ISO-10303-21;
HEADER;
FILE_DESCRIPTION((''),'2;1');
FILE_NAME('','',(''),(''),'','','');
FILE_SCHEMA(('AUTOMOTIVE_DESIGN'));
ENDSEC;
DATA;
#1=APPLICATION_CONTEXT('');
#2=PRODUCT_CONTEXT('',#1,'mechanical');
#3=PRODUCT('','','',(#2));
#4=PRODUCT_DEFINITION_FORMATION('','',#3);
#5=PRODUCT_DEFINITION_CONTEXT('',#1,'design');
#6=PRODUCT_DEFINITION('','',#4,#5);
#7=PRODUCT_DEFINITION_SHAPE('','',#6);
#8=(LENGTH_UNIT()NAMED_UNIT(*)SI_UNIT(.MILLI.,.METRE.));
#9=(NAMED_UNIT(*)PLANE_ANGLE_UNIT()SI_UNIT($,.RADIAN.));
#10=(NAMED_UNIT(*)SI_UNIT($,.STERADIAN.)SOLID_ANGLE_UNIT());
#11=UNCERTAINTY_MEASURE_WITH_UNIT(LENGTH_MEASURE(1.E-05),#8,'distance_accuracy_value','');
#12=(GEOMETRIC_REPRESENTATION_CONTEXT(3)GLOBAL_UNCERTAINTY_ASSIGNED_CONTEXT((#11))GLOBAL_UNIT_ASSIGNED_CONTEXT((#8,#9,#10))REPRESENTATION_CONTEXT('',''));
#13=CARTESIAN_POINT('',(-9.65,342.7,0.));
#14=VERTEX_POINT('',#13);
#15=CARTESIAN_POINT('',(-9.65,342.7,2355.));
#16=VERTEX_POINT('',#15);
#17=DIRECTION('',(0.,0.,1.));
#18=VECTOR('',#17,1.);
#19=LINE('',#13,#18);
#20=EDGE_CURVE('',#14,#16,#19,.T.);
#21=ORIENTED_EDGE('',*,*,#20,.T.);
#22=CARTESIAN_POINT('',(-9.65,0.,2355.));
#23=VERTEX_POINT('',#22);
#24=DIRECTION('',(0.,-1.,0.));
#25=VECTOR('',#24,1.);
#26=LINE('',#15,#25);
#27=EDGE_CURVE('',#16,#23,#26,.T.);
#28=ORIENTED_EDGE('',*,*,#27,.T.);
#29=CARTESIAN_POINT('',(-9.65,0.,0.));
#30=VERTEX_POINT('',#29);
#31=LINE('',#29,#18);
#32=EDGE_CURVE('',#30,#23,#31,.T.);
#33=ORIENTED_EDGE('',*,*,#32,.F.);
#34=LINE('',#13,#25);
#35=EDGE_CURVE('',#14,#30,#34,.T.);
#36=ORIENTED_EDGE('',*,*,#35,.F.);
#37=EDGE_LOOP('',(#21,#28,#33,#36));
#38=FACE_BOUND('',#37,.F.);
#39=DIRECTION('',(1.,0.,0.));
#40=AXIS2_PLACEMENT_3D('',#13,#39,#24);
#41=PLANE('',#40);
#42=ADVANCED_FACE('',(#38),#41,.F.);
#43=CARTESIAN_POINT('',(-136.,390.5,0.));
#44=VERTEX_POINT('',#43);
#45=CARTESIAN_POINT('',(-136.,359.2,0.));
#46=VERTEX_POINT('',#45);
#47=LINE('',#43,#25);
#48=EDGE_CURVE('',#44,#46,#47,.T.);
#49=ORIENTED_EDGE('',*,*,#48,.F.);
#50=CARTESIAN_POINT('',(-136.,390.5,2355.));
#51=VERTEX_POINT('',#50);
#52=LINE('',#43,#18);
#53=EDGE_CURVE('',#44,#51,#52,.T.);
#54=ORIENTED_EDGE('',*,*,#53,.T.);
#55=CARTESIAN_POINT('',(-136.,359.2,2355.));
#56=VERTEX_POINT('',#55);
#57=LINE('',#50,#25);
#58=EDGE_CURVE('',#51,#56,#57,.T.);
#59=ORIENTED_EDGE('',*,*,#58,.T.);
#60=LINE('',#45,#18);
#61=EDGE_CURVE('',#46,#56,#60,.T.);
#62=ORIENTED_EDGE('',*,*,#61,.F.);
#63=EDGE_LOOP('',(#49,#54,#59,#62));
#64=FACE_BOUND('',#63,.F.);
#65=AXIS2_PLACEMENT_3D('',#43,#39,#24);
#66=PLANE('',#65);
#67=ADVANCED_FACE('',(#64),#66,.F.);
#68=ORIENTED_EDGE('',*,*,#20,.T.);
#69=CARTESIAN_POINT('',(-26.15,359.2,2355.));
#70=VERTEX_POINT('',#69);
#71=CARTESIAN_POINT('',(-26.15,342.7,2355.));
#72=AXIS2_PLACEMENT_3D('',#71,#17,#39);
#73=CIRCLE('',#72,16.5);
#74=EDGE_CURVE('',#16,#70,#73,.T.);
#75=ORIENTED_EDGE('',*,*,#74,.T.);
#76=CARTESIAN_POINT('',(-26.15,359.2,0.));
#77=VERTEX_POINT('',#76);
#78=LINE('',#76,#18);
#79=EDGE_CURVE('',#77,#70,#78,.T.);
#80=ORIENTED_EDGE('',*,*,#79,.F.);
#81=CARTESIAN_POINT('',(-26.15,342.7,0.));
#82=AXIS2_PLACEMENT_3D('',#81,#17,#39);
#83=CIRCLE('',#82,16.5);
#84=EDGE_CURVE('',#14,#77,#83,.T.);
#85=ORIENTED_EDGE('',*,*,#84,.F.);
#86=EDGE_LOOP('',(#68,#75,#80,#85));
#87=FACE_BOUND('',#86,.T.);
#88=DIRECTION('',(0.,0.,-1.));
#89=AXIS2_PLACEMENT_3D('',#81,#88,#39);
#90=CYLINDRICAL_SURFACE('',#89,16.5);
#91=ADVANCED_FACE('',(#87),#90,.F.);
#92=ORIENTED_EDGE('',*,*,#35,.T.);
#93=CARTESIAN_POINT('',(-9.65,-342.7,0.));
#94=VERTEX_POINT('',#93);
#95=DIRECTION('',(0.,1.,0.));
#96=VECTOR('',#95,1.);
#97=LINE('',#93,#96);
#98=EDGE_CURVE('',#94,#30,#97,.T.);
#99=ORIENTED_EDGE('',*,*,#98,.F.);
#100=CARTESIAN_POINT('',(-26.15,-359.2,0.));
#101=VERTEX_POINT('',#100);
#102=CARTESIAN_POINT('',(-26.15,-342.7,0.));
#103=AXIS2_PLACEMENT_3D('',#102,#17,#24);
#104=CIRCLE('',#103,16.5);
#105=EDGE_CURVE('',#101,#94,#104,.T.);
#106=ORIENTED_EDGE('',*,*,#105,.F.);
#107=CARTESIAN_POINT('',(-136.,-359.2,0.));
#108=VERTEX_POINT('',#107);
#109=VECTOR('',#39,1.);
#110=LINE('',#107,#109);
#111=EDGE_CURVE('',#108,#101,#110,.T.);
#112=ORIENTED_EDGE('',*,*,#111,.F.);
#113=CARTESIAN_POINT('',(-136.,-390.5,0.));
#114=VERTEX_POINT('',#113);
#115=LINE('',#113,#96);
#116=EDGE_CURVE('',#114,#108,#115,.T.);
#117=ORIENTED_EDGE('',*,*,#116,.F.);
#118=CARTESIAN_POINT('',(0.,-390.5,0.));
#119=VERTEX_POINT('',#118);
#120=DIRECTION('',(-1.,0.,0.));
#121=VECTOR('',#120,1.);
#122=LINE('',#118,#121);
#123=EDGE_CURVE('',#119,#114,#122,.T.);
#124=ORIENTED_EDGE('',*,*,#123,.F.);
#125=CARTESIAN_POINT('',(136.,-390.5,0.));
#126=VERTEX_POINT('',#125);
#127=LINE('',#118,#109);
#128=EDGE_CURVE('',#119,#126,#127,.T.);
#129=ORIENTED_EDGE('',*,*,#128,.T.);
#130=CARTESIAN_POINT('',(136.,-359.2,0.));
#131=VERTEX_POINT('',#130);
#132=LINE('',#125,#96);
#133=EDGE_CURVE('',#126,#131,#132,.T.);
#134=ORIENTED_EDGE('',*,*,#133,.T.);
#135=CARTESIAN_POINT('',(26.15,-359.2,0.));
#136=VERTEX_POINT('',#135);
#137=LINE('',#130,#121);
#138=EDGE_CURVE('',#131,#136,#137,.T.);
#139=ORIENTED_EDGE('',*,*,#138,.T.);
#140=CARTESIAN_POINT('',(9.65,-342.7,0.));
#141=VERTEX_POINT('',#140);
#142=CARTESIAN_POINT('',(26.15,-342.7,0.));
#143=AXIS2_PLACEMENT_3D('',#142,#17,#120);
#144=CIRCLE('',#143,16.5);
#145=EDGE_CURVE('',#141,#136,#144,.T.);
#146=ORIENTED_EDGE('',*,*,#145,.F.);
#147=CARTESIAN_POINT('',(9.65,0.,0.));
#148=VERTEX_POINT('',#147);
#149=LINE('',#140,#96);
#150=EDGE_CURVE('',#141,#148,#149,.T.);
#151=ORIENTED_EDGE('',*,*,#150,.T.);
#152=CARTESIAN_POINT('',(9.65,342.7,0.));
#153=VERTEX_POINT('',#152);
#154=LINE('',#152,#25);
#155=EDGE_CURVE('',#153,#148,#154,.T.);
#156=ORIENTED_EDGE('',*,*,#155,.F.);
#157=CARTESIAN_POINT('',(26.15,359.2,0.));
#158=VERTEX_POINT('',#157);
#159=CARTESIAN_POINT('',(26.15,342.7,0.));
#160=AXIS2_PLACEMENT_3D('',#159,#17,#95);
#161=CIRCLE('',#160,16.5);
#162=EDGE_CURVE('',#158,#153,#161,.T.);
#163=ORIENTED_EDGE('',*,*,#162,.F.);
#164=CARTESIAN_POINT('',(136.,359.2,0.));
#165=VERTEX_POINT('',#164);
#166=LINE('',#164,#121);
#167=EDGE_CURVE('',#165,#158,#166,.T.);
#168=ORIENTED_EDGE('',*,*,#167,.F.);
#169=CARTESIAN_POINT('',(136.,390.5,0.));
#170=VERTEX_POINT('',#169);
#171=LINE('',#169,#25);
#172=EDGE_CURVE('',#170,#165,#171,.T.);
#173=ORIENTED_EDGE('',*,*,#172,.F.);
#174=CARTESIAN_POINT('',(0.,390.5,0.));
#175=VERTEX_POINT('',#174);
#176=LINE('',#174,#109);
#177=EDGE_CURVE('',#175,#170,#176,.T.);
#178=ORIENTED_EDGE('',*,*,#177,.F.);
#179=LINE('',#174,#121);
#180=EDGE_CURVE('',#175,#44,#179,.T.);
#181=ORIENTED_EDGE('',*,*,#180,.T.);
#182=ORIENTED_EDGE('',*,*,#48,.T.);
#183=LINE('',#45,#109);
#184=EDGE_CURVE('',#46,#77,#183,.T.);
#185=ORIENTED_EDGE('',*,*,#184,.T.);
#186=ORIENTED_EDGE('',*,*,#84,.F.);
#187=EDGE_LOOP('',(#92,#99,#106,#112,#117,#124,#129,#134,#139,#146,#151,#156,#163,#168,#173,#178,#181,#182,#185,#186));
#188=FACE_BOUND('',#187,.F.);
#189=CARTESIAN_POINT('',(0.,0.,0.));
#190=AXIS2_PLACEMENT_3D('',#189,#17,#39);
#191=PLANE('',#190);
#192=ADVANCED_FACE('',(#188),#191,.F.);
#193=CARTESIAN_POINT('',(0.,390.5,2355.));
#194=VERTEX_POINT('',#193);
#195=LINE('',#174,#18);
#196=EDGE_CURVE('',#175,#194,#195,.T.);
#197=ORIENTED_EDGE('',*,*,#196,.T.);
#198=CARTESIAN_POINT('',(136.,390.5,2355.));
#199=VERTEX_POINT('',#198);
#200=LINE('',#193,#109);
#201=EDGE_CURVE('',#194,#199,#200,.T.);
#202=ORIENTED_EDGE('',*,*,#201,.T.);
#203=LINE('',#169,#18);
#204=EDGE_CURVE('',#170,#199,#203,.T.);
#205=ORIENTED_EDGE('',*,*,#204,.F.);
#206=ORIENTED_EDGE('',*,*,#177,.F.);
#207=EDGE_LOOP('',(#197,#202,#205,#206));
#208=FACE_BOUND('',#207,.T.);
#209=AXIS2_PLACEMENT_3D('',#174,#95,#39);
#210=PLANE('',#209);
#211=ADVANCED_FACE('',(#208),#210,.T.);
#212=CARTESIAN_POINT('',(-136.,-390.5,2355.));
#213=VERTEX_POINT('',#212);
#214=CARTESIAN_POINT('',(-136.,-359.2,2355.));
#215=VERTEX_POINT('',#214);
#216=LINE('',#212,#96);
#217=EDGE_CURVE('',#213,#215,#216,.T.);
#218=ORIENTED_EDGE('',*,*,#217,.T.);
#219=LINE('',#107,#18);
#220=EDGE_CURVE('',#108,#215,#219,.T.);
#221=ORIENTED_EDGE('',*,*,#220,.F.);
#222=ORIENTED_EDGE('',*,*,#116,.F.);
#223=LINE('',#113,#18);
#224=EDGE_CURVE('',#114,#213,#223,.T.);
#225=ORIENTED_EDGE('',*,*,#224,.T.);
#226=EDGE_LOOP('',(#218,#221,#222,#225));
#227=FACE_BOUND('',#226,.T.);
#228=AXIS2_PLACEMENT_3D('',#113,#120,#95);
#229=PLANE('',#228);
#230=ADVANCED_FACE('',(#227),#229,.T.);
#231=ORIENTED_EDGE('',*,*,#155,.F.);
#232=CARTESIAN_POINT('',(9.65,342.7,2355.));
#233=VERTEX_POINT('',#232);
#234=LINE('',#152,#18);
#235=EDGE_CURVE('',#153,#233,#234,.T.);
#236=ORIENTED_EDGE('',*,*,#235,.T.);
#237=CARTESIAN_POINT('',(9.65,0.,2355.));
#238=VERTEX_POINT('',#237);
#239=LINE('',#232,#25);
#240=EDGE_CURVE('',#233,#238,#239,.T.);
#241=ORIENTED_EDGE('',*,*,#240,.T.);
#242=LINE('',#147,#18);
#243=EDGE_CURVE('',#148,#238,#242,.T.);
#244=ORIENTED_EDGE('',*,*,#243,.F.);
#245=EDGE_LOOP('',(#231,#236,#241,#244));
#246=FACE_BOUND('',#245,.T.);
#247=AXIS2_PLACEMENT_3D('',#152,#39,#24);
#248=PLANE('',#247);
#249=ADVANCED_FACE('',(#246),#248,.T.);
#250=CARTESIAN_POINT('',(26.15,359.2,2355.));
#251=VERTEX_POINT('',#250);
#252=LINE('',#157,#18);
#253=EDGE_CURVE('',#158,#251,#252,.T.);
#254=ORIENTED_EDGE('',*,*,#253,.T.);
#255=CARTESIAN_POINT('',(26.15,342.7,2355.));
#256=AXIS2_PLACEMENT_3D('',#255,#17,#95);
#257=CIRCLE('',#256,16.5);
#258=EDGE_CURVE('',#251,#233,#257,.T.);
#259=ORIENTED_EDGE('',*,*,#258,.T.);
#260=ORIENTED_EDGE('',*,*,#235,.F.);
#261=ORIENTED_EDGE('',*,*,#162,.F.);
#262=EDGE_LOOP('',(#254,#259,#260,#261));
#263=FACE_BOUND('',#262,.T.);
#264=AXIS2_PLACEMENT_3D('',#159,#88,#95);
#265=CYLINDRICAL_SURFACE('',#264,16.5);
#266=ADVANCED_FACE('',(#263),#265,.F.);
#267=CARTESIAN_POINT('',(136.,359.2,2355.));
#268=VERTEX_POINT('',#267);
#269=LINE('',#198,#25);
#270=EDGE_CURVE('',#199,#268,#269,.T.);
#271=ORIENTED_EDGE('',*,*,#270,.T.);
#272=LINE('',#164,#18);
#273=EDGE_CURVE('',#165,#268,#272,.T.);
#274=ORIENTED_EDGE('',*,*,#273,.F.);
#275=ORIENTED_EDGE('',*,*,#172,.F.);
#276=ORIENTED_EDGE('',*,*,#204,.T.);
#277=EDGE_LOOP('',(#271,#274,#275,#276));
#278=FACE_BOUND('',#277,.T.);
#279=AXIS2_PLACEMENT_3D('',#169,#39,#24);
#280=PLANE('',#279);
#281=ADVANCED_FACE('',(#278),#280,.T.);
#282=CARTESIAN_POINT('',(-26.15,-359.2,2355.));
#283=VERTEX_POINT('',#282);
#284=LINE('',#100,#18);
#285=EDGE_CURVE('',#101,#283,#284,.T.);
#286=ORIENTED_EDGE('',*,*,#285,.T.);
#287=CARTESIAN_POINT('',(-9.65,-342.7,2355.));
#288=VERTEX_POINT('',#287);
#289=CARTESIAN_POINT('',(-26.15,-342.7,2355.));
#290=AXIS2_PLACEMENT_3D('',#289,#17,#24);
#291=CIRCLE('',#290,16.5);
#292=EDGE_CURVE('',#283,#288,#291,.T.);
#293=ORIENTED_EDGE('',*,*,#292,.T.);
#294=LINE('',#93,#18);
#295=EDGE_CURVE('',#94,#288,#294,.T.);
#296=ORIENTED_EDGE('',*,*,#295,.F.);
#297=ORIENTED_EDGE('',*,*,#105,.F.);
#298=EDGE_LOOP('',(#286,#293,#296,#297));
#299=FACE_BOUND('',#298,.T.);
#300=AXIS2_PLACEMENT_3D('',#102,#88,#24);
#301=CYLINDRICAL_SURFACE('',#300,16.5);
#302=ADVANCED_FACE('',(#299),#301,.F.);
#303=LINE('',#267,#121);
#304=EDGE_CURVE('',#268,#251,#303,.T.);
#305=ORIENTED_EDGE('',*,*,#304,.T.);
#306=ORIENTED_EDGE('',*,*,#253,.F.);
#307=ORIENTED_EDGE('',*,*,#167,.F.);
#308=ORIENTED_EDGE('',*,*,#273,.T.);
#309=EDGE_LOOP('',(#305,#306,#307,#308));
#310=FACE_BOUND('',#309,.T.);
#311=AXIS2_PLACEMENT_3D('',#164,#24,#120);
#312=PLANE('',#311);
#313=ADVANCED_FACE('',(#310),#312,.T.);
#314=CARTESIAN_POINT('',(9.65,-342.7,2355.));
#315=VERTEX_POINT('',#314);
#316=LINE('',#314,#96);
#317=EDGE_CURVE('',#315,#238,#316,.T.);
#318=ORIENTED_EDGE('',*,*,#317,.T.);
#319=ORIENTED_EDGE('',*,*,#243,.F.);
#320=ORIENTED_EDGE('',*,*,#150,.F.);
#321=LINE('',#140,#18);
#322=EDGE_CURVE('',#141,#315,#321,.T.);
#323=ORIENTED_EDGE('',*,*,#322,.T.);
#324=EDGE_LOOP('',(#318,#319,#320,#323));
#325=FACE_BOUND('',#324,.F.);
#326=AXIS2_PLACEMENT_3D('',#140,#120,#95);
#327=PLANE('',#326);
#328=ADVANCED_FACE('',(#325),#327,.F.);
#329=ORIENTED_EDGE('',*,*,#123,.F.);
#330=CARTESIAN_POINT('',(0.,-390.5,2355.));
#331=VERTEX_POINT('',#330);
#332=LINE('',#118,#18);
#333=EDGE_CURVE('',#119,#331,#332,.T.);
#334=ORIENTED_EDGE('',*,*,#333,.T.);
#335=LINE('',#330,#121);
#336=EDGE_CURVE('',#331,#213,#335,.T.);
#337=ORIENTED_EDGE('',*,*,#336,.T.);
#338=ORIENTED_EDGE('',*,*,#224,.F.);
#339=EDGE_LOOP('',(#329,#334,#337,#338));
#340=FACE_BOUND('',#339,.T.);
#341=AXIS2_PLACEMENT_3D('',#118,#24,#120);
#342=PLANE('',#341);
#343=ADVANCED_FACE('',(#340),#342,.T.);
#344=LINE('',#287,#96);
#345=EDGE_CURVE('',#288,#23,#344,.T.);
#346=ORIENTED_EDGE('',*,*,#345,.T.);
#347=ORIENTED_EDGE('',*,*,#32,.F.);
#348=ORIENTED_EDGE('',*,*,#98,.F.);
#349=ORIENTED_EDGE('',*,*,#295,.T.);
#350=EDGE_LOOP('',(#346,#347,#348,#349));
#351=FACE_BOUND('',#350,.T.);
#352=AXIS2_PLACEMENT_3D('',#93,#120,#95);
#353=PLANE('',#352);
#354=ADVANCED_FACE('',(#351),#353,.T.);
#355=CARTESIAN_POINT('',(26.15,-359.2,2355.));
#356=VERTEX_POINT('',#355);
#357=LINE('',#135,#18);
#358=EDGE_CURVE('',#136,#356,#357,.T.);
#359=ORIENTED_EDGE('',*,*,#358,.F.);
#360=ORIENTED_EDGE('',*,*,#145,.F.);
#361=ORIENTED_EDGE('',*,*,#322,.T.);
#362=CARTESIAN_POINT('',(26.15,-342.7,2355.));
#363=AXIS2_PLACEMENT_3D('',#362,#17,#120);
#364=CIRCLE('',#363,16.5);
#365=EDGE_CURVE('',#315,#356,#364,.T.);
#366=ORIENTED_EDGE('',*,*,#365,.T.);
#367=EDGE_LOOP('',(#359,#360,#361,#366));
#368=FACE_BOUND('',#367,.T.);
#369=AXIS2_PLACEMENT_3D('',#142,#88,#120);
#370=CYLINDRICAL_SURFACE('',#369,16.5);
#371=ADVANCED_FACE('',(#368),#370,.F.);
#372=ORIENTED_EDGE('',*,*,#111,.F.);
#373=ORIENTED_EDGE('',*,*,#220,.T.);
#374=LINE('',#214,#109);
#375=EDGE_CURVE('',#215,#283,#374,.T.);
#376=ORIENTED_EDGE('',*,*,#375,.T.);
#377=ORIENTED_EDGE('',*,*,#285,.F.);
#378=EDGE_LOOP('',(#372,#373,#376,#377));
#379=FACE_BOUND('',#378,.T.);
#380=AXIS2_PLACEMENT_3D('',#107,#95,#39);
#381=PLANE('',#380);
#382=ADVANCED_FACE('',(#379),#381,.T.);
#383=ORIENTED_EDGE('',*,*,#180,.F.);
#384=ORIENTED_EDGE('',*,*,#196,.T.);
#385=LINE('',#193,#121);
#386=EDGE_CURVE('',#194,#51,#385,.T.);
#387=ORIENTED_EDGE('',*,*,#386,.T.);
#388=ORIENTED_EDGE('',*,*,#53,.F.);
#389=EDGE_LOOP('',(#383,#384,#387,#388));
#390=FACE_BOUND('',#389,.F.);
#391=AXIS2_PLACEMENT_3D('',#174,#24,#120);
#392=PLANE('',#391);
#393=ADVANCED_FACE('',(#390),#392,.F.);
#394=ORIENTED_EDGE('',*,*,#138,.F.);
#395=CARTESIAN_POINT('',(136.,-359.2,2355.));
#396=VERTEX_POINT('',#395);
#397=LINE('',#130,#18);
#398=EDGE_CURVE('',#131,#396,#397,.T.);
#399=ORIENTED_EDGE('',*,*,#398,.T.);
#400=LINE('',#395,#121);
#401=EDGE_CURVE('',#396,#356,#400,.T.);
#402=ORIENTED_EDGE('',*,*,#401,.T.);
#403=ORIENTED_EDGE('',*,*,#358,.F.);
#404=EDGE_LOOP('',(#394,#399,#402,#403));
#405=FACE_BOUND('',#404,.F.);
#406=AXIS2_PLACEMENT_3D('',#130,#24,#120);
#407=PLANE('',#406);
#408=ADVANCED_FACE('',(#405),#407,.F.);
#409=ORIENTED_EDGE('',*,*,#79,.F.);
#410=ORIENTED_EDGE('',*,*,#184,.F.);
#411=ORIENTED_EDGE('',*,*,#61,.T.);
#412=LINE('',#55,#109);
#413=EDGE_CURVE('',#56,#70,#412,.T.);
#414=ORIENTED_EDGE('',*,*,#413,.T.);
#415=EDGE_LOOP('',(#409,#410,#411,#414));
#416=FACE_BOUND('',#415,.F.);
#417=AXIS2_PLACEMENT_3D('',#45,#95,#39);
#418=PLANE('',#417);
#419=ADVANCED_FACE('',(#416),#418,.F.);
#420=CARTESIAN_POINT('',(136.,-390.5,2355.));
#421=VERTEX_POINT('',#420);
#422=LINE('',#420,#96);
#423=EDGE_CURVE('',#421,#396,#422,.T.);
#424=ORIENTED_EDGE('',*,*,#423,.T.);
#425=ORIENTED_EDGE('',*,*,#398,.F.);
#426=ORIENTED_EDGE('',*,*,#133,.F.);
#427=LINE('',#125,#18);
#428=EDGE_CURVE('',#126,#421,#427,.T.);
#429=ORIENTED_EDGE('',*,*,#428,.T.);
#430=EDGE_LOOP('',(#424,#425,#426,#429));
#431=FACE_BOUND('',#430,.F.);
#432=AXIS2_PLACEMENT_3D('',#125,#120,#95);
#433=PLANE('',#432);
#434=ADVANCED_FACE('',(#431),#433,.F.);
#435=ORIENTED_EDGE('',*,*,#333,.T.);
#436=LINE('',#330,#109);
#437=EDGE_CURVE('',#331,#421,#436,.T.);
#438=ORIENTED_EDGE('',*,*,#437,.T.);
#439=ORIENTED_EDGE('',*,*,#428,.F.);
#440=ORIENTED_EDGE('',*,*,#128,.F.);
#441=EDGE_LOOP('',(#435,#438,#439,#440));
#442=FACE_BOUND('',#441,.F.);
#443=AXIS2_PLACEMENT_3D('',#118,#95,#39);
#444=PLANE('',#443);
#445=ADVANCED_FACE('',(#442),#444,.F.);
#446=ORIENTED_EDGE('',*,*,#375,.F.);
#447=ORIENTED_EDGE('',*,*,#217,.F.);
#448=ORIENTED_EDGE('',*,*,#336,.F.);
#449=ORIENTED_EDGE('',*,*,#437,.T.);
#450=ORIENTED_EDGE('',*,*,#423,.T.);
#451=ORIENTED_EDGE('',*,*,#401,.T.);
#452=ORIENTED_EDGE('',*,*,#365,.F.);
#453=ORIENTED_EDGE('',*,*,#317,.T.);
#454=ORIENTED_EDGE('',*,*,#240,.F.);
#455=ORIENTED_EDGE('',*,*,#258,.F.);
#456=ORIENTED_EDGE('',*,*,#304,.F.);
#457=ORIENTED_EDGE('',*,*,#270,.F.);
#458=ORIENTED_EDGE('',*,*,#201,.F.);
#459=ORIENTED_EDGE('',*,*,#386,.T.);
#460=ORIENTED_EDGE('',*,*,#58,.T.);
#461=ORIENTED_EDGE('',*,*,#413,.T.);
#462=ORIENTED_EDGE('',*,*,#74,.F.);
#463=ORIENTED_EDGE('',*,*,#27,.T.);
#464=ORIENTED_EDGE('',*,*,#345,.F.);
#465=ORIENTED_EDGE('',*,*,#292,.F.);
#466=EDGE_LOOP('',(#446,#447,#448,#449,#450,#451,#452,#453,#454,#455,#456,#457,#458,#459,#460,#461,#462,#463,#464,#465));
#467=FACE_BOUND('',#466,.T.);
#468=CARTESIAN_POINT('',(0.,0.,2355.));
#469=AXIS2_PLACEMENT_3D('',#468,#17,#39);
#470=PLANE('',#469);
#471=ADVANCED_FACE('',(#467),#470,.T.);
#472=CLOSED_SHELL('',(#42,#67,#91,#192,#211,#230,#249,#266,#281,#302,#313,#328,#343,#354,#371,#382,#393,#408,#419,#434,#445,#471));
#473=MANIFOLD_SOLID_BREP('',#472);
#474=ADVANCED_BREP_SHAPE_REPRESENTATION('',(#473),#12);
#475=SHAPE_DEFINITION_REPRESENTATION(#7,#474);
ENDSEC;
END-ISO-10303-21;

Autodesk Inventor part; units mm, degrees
ref_plane "YZ Plane" through (0, 0, 0) normal (1, 0, 0) x (0, 1, 0)
ref_plane "Start plane" through (0, 0, 0) normal (0, 0, 1) x (1, 0, 0)
ref_plane "End plane" through (0, 0, 2355) normal (0, 0, 1) x (1, 0, 0)
sketch "Sketch" plane through (0, 0, 0) normal (0, 0, 1) x (1, 0, 0)
  line L0 (-136, -390.5) -> (-136, -359.2)
  line L1 (-136, -359.2) -> (-26.15, -359.2)
  line L2 (-9.65, -342.7) -> (-9.65, 0)
  line L3 (-9.65, 0) -> (0, 0) construction
  line L4 (0, 0) -> (0, -390.5) construction
  line L5 (0, -390.5) -> (-136, -390.5)
  line L6 (-60, 0) -> (80, 0) construction
  line L7 (0, -60) -> (0, 80) construction
  line L8 (136, -390.5) -> (136, -359.2)
  line L9 (136, -359.2) -> (26.15, -359.2)
  line L10 (9.65, -342.7) -> (9.65, 0)
  line L11 (9.65, 0) -> (0, 0) construction
  line L12 (0, -390.5) -> (136, -390.5)
  line L13 (-136, 390.5) -> (-136, 359.2)
  line L14 (-136, 359.2) -> (-26.15, 359.2)
  line L15 (-9.65, 342.7) -> (-9.65, 0)
  line L16 (0, 390.5) -> (-136, 390.5)
  line L17 (136, 390.5) -> (136, 359.2)
  line L18 (136, 359.2) -> (26.15, 359.2)
  line L19 (0, 390.5) -> (136, 390.5)
  line L20 (9.65, 342.7) -> (9.65, 0)
  arc A0 (-9.65, 342.7) -> (-26.15, 359.2) centre (-26.15, 342.7) ccw
  arc A1 (26.15, 359.2) -> (9.65, 342.7) centre (26.15, 342.7) ccw
  arc A2 (9.65, -342.7) -> (26.15, -359.2) centre (26.15, -342.7) ccw
  arc A3 (-26.15, -359.2) -> (-9.65, -342.7) centre (-26.15, -342.7) ccw
  line L21 (0, 108) -> (0, -88) construction
  line L22 (-88, 0) -> (108, 0) construction
  point P0 (-9.65, -359.2)
  point P1 (9.65, -359.2)
  point P2 (-9.65, 359.2)
  point P3 (9.65, 359.2)
  dimension "d1" = 390.5
  dimension "d2" = 31.3
  dimension "d3" = 136
  dimension "d4" = 9.65
  dimension "d10" = 16.5
extrude "Body" add sketch "Sketch" along normal up to surface (2355 mm away) from surface at 0
sketch "Sketch4" plane through (0, 0, 0) normal (0, 0, 1) x (1, 0, 0)
  line L0 (0, 0) -> (10, 0)
ref_plane "Work Plane3" through (0, 0, 0) normal (0, -1, 0) x (1, 0, 0)
sketch "Sketch5" plane through (0, 0, 0) normal (0, -1, 0) x (1, 0, 0)
  line L0 (-2, 0) -> (12, 0) projected
  line L1 (-2, 2355) -> (12, 2355) projected
  dimension "d14" = 2355
equation "\"d1\" = 0.5 * G_H"
equation "\"d2\" = G_T1"
equation "\"d3\" = 0.5 * G_W"
equation "\"d4\" = 0.5 * G_T"
equation "\"d10\" = G_IR"
equation "\"d5\" = G_L"
equation "\"G_W\" = 272"
equation "\"G_H\" = 781"
equation "\"G_T\" = 19.3"
equation "\"G_T1\" = 31.3"
equation "\"G_IR\" = 16.5"
equation "\"G_L\" = d14"
equation "\"G_OFFSET_START\" = 0"
equation "\"G_OFFSET_END\" = 0"
equation "\"d12\" = G_OFFSET_END + B_L"
equation "\"B_L\" = 2355"
properties part number "AS 3679-1990 - 760 UB - 244 - 2355" material "Steel, Mild"
